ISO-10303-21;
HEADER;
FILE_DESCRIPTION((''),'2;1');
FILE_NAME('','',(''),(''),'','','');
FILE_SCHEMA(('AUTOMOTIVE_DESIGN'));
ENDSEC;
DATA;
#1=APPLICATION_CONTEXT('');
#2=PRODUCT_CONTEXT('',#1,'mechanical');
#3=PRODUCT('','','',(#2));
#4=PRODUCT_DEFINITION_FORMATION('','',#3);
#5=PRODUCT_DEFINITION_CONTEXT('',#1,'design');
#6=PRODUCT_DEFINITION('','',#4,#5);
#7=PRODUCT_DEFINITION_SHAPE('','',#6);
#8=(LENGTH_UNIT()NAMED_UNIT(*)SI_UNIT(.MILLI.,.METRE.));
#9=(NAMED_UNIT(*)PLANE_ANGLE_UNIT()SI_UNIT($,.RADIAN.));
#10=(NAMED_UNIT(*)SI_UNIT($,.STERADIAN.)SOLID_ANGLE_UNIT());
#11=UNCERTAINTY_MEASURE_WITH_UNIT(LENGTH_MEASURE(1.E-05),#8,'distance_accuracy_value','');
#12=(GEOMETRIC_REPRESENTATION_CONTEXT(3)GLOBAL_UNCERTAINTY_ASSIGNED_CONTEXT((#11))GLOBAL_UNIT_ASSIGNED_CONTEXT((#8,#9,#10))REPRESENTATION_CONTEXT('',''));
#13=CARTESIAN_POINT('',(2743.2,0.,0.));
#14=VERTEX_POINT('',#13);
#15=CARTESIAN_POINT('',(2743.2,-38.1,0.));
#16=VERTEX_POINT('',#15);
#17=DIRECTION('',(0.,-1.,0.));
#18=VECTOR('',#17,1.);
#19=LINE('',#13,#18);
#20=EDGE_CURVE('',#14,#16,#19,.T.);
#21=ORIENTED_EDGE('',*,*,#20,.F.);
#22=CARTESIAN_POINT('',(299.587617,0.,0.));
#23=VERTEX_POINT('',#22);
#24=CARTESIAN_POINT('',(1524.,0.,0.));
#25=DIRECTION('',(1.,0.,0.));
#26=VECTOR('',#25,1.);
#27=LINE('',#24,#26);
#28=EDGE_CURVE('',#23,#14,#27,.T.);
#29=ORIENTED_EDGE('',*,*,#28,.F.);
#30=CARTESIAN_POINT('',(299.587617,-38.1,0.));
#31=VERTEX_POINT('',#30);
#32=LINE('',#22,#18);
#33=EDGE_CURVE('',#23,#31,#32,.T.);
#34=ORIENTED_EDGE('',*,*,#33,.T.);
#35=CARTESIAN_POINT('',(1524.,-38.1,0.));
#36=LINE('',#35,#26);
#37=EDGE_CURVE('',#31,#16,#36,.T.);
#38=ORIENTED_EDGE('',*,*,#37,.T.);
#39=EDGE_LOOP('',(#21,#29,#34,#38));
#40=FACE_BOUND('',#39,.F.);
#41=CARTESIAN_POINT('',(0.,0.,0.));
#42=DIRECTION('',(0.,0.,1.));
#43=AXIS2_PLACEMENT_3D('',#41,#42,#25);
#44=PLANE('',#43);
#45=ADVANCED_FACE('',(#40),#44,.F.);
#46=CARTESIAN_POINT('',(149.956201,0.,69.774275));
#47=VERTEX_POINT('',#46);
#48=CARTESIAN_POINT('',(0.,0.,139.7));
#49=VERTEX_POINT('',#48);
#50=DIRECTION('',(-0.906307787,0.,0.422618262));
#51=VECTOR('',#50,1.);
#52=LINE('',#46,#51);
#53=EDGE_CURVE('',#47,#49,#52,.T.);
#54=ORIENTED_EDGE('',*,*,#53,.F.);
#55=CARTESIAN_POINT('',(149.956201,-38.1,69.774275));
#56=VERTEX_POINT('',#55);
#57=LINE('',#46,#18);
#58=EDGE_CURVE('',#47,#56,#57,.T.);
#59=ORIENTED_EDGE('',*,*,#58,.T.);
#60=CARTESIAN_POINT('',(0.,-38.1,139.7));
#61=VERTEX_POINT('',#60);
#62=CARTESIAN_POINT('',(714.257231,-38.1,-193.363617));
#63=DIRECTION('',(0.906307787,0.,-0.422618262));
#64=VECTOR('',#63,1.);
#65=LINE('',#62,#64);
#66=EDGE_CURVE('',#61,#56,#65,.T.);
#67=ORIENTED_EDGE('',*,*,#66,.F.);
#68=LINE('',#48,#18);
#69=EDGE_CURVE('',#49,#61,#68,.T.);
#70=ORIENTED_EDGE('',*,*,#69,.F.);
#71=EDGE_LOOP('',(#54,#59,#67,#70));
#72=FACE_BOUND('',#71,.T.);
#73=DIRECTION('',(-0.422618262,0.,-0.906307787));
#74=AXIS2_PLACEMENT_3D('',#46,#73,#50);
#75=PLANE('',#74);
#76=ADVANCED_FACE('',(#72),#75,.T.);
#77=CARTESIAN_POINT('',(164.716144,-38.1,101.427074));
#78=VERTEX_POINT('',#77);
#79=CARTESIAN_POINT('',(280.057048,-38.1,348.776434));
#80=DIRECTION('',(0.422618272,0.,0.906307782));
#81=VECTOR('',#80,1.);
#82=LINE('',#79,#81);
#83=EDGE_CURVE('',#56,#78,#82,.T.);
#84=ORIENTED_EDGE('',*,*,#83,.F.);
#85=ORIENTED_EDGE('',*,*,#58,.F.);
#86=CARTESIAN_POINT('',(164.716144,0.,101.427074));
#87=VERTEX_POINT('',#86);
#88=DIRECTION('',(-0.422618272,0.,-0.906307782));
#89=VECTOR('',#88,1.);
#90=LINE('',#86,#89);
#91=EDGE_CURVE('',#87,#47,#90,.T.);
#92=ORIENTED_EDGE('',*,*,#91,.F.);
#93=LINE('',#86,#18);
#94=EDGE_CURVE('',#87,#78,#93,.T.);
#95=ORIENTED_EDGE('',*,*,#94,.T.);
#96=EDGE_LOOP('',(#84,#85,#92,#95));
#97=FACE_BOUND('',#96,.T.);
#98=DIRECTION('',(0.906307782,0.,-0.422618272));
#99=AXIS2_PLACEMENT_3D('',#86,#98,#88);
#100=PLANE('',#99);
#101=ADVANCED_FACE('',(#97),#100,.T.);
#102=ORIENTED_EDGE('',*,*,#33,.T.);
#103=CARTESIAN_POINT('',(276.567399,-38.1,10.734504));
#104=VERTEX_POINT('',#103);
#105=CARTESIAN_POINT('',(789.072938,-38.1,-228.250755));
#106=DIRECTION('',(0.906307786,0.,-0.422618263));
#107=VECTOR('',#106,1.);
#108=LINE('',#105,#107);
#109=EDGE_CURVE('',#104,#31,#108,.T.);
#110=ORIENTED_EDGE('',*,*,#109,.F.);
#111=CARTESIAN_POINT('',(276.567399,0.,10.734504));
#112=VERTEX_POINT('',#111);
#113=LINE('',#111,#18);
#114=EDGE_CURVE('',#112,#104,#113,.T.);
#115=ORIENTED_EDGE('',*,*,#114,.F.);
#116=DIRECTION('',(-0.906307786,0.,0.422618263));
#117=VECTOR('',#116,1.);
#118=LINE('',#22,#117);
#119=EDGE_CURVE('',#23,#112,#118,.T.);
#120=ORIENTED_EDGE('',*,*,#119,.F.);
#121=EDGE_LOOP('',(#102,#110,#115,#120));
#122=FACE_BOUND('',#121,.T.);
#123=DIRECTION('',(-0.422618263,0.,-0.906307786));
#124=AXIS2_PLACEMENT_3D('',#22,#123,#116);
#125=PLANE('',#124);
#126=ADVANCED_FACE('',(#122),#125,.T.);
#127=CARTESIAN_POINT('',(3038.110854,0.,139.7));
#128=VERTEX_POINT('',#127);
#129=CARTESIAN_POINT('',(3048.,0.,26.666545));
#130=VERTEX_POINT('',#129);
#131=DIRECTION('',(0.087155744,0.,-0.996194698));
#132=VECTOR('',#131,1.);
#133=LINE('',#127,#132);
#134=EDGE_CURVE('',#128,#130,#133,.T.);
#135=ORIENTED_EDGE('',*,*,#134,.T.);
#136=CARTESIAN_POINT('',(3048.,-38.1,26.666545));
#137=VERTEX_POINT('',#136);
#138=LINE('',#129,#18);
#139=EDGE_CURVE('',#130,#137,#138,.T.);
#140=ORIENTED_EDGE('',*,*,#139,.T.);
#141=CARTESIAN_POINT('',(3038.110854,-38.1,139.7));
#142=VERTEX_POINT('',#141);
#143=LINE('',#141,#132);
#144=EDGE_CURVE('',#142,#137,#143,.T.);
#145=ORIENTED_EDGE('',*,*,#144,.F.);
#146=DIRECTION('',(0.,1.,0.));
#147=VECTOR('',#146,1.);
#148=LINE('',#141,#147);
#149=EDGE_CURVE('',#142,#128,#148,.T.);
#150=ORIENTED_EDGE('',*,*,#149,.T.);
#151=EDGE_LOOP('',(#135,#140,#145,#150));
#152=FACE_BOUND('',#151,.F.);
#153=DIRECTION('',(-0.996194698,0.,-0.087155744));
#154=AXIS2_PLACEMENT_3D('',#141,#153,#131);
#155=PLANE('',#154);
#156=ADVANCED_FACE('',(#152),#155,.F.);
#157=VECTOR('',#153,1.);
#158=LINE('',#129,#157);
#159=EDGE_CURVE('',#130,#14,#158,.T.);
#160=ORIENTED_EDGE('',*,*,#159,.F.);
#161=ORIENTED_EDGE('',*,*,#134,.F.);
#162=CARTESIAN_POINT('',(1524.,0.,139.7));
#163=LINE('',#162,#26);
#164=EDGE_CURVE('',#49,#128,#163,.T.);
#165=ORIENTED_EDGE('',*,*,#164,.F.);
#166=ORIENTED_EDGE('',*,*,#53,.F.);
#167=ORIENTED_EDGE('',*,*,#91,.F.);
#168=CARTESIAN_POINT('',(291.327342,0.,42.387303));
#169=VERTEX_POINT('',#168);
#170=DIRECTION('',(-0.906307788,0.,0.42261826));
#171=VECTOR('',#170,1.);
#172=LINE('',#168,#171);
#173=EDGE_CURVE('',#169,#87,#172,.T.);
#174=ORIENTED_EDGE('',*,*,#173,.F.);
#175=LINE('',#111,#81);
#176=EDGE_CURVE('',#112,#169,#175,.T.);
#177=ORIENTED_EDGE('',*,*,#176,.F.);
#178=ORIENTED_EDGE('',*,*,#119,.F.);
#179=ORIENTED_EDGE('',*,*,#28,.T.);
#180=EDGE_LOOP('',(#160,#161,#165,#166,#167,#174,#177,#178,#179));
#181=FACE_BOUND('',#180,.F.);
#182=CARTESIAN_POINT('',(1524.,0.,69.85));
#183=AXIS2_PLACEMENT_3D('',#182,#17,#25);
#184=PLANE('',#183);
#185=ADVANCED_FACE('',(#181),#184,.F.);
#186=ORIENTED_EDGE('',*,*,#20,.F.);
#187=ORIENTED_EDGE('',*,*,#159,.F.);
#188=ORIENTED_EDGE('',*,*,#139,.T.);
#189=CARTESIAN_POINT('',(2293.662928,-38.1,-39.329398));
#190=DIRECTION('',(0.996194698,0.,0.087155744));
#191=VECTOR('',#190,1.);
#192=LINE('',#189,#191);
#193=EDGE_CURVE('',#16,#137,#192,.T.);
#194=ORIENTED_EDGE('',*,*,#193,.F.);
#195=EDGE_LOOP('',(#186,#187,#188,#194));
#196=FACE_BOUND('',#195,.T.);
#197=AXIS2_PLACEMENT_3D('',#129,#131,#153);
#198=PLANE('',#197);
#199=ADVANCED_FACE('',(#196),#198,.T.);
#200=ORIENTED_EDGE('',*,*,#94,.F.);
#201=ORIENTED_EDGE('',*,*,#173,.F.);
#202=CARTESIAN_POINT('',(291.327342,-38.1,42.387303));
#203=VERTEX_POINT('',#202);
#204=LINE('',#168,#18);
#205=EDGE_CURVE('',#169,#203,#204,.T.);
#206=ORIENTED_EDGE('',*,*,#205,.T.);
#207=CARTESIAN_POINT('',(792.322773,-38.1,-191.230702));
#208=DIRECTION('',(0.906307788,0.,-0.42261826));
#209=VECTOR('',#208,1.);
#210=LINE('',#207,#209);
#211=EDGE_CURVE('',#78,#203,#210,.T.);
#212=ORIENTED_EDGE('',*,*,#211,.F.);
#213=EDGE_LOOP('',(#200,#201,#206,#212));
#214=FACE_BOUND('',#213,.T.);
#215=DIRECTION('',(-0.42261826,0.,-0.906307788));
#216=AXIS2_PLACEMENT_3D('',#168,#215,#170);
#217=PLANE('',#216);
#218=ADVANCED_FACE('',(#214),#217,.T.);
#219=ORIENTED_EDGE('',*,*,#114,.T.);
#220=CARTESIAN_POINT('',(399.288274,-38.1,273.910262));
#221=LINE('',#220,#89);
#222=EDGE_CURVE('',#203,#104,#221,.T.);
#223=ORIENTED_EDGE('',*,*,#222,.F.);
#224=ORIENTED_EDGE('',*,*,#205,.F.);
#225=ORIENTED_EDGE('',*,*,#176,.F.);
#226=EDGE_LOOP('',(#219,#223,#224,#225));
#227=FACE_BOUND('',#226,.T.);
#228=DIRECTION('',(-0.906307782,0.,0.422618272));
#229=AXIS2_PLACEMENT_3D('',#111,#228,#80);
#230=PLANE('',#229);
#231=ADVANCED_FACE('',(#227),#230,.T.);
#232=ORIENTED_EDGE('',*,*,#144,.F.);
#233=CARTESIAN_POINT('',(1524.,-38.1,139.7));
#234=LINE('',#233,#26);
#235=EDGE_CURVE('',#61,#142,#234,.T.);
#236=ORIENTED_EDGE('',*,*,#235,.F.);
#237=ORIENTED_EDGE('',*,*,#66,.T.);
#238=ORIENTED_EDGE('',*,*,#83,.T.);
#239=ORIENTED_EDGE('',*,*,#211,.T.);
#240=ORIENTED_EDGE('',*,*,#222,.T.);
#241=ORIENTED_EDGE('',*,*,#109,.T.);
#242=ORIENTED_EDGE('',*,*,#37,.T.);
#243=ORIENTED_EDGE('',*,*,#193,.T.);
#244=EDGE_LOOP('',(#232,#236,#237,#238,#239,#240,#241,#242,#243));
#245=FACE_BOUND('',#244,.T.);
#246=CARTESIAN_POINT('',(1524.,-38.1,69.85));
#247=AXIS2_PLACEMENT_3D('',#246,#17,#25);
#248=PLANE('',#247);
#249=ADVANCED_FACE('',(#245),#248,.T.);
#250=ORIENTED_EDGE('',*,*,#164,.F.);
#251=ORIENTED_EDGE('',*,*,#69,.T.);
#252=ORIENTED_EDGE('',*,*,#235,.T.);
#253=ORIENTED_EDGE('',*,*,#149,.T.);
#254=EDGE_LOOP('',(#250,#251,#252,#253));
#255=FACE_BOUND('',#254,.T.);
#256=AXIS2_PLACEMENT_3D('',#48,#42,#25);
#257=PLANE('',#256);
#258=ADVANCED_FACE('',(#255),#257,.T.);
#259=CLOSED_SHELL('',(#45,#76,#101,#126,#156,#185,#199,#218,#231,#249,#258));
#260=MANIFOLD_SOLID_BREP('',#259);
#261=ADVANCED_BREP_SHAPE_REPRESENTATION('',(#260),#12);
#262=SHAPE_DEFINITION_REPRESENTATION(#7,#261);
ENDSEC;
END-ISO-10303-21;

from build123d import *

# Parameters (mm, degrees)
F0_W     = 3048
F0_H     = 139.7
F1_DEPTH = 38.1
F3_DEPTH = 38.101
F5_DEPTH = 38.1


with BuildPart() as f1:
    # F0 (on Front) → F1 (new body)
    with BuildSketch(Plane.XZ):
        with Locations((1524, 69.85)):
            Rectangle(F0_W, F0_H)
    extrude(amount=F1_DEPTH)

    # F2 (on Front) → F3 (cut, through all)
    with BuildSketch(Plane.XZ):
        Polygon((149.956201, 69.774275), (0, 139.7), (0, 0), (299.587617, 0), (276.567399, 10.734504), (291.327342, 42.387303), (164.716144, 101.427074), align=None)
        Polygon((3048, 0), (3048, 26.666545), (2743.2, 0), align=None)
    extrude(amount=F3_DEPTH, mode=Mode.SUBTRACT)

    # F4 (on face) → F5 (cut)
    with BuildSketch(Plane.XZ.offset(38.1)):
        Polygon((3038.110854, 139.7), (3048, 26.666545), (3048, 139.7), align=None)
    extrude(amount=-F5_DEPTH, mode=Mode.SUBTRACT)


solid = f1.part
